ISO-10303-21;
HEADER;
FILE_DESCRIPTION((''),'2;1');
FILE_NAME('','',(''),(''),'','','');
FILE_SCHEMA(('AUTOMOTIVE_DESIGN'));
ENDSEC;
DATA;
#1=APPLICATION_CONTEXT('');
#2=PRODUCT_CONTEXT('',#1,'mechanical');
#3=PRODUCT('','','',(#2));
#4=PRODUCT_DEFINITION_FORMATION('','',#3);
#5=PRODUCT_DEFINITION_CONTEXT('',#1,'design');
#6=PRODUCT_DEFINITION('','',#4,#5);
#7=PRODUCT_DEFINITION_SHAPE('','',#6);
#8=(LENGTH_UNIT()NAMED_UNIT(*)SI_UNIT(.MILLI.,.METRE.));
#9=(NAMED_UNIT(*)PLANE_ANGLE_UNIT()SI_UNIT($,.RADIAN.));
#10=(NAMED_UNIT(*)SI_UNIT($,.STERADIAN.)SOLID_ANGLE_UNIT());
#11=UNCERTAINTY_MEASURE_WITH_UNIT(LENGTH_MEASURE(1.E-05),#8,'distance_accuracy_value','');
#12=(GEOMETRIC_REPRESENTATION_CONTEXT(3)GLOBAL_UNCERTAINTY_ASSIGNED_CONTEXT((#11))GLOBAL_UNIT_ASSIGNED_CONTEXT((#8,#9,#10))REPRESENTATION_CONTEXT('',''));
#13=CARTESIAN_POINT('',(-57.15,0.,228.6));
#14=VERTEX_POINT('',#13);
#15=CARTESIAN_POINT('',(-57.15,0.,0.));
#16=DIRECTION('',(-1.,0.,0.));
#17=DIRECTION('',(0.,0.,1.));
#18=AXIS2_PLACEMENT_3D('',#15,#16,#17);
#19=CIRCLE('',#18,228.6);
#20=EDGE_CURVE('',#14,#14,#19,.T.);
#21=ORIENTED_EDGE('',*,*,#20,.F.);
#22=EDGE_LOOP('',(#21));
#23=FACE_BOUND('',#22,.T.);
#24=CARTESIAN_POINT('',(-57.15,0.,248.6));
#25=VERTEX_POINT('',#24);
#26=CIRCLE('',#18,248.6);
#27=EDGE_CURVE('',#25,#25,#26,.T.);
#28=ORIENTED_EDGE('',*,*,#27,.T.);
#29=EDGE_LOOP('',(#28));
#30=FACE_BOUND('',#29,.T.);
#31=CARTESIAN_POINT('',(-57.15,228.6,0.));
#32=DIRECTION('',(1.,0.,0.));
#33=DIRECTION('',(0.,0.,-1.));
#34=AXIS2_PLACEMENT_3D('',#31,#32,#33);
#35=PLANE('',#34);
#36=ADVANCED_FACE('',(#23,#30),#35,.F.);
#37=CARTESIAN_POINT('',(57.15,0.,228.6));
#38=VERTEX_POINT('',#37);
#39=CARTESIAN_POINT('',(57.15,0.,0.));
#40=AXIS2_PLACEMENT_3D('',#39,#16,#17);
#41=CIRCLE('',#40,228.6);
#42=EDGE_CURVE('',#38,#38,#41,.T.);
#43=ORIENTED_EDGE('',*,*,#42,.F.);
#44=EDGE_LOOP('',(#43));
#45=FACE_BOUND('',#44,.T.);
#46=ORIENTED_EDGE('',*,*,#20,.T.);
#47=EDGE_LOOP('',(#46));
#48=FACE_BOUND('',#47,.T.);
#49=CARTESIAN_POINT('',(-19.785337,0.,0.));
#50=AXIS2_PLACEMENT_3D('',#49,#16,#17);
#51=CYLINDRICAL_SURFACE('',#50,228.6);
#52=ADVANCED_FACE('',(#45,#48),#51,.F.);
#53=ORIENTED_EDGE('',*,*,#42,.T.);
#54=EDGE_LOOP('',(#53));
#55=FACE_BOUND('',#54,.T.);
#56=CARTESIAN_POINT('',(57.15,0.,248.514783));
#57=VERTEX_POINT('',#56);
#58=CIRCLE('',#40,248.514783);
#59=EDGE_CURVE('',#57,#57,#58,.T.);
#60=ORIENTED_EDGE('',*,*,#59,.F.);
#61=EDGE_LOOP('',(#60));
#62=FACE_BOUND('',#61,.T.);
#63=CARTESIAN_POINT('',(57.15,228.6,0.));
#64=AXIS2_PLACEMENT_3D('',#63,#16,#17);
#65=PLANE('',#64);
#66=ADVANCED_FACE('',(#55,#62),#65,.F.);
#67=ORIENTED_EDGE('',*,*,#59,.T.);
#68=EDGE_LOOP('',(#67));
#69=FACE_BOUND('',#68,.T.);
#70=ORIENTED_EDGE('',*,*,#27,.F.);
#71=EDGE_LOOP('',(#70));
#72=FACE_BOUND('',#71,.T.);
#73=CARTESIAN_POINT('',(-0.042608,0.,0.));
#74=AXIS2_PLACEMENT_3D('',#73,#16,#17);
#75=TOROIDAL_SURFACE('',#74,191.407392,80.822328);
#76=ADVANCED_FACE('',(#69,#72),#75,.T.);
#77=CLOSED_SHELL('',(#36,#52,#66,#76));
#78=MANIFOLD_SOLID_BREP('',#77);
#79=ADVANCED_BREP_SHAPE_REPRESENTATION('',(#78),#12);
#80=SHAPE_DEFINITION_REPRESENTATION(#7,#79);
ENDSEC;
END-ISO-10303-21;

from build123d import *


with BuildPart() as part:
    # Croquis2 → Revolución1 (revolve)
    with BuildSketch(Plane.XY):
        with BuildLine():
            Line((-57.15, 228.6), (-57.15, 248.6))
            ThreePointArc((-57.15, 248.6), (0.01764896, 272.229696732), (57.15, 248.514783285))
            Line((57.15, 248.514783285), (57.15, 228.6))
            Line((57.15, 228.6), (-57.15, 228.6))
        make_face()
    revolve(axis=Axis((-19.785336719, 0, 0), (1, 0, 0)))


solid = part.part
